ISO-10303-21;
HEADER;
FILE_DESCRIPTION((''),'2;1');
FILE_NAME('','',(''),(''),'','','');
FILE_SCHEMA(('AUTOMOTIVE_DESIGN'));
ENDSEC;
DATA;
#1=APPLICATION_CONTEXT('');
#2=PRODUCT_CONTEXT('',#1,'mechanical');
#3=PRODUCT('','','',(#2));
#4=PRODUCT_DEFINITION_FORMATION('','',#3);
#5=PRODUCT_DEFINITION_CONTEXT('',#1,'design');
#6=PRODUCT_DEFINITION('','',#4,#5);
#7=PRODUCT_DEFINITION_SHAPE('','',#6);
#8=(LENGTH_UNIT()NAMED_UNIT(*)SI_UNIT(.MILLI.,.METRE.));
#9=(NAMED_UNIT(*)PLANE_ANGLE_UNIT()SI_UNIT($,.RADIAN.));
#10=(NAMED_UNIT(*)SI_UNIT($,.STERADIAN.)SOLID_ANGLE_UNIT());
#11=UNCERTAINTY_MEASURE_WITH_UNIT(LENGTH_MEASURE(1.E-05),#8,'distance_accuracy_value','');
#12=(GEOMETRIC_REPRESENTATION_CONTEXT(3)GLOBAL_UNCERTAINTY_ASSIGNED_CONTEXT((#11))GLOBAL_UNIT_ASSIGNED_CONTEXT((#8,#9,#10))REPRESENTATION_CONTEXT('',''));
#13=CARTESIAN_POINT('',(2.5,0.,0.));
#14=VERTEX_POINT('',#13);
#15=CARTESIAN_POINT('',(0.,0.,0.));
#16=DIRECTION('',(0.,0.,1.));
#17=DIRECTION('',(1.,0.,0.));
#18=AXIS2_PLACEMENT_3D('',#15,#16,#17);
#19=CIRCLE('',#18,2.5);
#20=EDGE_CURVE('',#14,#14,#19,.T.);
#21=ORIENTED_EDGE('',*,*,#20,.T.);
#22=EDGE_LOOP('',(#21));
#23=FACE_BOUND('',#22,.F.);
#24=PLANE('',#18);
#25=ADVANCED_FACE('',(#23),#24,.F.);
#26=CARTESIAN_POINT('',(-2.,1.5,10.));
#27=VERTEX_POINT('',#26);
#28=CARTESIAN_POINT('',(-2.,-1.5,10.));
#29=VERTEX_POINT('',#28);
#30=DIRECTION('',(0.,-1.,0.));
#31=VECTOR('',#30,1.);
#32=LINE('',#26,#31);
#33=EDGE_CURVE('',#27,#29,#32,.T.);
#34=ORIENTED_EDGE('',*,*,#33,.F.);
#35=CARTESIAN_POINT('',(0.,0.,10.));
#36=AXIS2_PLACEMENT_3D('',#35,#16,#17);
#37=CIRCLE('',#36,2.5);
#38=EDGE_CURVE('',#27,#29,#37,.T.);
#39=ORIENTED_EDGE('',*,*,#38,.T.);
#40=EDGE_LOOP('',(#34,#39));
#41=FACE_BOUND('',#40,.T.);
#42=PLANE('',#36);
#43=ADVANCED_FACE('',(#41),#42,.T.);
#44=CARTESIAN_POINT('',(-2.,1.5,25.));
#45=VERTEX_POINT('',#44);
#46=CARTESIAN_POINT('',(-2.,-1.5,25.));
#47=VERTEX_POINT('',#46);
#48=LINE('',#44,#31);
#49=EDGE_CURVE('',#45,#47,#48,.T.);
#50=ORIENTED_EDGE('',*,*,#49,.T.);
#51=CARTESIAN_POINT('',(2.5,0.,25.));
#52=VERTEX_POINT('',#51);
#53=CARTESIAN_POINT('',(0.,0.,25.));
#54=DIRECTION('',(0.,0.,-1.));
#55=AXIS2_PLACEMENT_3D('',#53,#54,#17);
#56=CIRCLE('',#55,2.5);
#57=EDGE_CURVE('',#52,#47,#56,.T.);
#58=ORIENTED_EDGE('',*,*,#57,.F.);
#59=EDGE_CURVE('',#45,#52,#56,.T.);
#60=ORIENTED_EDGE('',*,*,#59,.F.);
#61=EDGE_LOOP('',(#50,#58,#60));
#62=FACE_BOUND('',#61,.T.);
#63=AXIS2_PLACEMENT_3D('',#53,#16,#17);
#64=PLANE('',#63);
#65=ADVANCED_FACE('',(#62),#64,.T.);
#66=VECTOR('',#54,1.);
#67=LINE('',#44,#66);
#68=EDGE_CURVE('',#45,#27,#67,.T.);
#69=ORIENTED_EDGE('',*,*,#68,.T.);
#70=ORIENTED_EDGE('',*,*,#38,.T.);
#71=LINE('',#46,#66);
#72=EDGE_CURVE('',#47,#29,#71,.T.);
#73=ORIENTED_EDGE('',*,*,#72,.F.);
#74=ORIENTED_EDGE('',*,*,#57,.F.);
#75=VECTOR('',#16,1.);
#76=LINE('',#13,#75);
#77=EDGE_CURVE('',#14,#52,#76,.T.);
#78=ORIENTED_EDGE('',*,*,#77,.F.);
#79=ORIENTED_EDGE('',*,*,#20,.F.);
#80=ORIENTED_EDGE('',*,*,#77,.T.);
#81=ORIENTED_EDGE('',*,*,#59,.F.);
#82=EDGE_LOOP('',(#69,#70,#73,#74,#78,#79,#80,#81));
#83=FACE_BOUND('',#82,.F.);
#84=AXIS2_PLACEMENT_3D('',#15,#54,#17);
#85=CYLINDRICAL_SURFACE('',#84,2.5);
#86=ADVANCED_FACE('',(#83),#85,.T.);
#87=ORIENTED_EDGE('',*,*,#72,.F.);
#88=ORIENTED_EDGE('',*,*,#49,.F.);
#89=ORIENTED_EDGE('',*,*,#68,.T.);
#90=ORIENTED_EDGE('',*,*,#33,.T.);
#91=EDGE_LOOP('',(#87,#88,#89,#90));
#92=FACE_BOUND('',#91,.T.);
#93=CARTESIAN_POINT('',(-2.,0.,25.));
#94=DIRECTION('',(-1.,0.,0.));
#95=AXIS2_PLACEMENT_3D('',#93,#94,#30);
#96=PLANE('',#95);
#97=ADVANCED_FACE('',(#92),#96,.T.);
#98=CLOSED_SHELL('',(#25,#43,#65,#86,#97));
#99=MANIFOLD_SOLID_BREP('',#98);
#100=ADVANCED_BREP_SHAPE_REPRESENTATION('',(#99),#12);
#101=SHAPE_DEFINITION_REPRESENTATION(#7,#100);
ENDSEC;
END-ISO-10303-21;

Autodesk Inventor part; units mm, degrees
ref_plane "YZ Plane" through (0, 0, 0) normal (1, 0, 0) x (0, 1, 0)
ref_plane "XZ Plane" through (0, 0, 0) normal (0, 1, 0) x (-1, 0, 0)
ref_plane "XY Plane" through (0, 0, 0) normal (0, 0, 1) x (1, 0, 0)
sketch "Sketch1" plane through (0, 0, 0) normal (0, 0, 1) x (1, 0, 0)
  circle A0 centre (0, 0) radius 2.5
  dimension "d0" = 5
extrude "Extrusion1" add sketch "Sketch1" along normal blind 25
sketch "Sketch2" plane through (0, 0, 25) normal (0, 0, 1) x (1, 0, 0)
  circle A0 centre (0, 0) radius 2.5 projected
  line L0 (2.5, 0) -> (-2, 0)
  line L1 (-2, 0) -> (-2, 4)
  line L2 (-2, 0) -> (-2, -4)
  line L3 (-2, -4) -> (-6, -4)
  line L4 (-6, -4) -> (-6, 4)
  line L5 (-6, 4) -> (-2, 4)
  point P0 (-2, -1.5)
  point P1 (-2, 1.5)
  dimension "d3" = 4.5
  dimension "d6" = 4
  dimension "d7" = 4
  dimension "d8" = 4
extrude "Extrusion2" cut sketch "Sketch2" against normal blind 15 contours A0 L2 L3 L4 L5 L1
extrude "Extrusion3" cut sketch "Sketch2" against normal blind 15 contours L1 L2 A0
properties part number "AXE"
